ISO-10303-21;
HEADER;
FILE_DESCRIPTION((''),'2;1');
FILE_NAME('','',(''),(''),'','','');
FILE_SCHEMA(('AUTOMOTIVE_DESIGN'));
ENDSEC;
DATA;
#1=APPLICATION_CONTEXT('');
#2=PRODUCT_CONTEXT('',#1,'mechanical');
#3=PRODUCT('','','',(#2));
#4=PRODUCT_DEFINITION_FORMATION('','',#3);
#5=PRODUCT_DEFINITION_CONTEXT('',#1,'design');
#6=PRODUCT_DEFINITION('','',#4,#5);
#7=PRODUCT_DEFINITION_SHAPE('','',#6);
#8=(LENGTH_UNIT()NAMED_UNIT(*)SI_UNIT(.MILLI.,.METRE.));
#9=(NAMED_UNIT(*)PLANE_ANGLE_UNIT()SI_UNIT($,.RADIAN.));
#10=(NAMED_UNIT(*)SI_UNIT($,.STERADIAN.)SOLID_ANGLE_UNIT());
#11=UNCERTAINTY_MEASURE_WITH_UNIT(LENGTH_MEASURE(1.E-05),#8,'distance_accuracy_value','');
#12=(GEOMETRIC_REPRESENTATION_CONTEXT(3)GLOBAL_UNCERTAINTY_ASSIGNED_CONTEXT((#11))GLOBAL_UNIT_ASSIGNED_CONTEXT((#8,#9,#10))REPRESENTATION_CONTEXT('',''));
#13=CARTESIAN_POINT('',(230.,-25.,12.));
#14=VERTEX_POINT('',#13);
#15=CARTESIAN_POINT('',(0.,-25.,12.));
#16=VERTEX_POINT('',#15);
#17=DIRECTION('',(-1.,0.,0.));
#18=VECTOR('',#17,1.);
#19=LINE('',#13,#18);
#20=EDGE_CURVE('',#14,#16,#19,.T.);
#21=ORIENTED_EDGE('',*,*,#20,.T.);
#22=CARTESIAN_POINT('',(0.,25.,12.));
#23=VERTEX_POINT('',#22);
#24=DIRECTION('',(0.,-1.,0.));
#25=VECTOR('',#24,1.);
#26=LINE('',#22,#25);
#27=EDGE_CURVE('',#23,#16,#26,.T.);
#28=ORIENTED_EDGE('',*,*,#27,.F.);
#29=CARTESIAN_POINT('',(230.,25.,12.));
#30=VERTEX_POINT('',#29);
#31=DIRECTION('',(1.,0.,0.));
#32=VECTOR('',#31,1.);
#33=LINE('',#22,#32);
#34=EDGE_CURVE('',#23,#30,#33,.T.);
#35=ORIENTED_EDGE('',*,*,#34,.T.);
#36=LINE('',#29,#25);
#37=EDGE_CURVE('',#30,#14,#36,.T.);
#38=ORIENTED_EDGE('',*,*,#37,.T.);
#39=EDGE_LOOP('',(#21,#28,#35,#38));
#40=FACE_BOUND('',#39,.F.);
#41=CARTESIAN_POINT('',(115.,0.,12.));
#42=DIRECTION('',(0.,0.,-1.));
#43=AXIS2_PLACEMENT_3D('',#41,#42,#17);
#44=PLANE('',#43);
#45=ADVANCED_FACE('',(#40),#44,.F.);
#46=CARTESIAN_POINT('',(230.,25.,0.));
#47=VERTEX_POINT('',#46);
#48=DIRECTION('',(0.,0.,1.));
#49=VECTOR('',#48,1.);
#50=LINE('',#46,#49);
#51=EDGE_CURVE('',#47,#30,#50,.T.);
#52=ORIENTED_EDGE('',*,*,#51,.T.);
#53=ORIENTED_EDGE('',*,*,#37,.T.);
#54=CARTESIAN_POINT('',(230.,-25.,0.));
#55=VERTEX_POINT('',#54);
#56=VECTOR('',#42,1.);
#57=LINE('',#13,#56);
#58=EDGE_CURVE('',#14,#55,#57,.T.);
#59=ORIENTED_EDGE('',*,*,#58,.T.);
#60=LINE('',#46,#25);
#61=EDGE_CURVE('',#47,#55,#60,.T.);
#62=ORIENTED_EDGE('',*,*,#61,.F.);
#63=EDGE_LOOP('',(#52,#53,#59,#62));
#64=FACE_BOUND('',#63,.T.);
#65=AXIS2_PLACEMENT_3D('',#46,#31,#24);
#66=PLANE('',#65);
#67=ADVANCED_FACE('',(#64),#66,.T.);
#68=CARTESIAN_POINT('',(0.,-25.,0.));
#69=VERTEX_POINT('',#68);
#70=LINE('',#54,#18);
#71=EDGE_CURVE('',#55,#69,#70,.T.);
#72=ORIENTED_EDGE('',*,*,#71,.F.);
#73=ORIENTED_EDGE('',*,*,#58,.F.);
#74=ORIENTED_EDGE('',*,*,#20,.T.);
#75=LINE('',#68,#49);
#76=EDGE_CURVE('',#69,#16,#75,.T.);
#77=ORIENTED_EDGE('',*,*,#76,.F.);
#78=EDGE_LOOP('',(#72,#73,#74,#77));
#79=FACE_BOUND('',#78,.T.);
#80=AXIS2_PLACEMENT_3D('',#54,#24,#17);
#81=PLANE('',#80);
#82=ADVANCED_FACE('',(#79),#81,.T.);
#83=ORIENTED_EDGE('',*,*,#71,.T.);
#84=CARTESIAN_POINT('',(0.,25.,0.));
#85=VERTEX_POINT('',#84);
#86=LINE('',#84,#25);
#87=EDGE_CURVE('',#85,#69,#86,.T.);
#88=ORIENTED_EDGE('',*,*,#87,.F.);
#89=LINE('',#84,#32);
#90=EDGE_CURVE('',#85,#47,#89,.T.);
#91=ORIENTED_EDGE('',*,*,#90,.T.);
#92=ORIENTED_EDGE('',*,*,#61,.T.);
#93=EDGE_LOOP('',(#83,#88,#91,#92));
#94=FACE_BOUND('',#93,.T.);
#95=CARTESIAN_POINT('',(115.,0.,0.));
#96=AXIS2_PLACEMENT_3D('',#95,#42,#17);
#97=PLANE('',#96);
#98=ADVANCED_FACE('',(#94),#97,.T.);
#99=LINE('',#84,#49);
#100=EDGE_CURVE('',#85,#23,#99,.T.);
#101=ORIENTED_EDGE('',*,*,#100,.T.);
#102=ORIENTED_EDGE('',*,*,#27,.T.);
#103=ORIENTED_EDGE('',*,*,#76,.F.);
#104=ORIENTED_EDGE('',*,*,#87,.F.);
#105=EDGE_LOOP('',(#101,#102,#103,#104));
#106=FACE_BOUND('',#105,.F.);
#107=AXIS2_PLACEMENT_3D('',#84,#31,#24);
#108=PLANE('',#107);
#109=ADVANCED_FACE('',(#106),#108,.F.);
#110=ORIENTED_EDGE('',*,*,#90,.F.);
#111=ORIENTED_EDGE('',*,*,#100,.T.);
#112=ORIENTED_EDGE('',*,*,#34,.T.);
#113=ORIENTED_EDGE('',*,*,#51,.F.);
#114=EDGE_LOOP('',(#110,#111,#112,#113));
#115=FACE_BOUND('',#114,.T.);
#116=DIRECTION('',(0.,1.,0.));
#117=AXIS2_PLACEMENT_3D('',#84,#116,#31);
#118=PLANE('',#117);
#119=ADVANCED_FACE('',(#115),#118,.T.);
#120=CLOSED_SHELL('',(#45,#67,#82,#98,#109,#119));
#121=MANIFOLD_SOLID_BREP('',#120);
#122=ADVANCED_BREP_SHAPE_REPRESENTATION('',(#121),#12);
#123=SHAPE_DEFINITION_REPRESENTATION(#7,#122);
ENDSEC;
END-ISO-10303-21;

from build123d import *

# Parameters (mm, degrees)
PAD_DEPTH    = 12
POCKET_DEPTH = 1


with BuildPart() as part:
    # Sketch → Pad (new body)
    with BuildSketch(Plane.XY):
        Polygon((0, 0), (0, 25), (230, 25), (230, -25), (0, -25), align=None)
    extrude(amount=PAD_DEPTH)

    # Sketch002 (on Face7 of Pad) → Pocket (cut)
    with BuildSketch(Plane.XY.offset(12)):
        Polygon((0, -25), (0, -71.973152), (230, -25), align=None)
    extrude(amount=-POCKET_DEPTH, mode=Mode.SUBTRACT)


solid = part.part
